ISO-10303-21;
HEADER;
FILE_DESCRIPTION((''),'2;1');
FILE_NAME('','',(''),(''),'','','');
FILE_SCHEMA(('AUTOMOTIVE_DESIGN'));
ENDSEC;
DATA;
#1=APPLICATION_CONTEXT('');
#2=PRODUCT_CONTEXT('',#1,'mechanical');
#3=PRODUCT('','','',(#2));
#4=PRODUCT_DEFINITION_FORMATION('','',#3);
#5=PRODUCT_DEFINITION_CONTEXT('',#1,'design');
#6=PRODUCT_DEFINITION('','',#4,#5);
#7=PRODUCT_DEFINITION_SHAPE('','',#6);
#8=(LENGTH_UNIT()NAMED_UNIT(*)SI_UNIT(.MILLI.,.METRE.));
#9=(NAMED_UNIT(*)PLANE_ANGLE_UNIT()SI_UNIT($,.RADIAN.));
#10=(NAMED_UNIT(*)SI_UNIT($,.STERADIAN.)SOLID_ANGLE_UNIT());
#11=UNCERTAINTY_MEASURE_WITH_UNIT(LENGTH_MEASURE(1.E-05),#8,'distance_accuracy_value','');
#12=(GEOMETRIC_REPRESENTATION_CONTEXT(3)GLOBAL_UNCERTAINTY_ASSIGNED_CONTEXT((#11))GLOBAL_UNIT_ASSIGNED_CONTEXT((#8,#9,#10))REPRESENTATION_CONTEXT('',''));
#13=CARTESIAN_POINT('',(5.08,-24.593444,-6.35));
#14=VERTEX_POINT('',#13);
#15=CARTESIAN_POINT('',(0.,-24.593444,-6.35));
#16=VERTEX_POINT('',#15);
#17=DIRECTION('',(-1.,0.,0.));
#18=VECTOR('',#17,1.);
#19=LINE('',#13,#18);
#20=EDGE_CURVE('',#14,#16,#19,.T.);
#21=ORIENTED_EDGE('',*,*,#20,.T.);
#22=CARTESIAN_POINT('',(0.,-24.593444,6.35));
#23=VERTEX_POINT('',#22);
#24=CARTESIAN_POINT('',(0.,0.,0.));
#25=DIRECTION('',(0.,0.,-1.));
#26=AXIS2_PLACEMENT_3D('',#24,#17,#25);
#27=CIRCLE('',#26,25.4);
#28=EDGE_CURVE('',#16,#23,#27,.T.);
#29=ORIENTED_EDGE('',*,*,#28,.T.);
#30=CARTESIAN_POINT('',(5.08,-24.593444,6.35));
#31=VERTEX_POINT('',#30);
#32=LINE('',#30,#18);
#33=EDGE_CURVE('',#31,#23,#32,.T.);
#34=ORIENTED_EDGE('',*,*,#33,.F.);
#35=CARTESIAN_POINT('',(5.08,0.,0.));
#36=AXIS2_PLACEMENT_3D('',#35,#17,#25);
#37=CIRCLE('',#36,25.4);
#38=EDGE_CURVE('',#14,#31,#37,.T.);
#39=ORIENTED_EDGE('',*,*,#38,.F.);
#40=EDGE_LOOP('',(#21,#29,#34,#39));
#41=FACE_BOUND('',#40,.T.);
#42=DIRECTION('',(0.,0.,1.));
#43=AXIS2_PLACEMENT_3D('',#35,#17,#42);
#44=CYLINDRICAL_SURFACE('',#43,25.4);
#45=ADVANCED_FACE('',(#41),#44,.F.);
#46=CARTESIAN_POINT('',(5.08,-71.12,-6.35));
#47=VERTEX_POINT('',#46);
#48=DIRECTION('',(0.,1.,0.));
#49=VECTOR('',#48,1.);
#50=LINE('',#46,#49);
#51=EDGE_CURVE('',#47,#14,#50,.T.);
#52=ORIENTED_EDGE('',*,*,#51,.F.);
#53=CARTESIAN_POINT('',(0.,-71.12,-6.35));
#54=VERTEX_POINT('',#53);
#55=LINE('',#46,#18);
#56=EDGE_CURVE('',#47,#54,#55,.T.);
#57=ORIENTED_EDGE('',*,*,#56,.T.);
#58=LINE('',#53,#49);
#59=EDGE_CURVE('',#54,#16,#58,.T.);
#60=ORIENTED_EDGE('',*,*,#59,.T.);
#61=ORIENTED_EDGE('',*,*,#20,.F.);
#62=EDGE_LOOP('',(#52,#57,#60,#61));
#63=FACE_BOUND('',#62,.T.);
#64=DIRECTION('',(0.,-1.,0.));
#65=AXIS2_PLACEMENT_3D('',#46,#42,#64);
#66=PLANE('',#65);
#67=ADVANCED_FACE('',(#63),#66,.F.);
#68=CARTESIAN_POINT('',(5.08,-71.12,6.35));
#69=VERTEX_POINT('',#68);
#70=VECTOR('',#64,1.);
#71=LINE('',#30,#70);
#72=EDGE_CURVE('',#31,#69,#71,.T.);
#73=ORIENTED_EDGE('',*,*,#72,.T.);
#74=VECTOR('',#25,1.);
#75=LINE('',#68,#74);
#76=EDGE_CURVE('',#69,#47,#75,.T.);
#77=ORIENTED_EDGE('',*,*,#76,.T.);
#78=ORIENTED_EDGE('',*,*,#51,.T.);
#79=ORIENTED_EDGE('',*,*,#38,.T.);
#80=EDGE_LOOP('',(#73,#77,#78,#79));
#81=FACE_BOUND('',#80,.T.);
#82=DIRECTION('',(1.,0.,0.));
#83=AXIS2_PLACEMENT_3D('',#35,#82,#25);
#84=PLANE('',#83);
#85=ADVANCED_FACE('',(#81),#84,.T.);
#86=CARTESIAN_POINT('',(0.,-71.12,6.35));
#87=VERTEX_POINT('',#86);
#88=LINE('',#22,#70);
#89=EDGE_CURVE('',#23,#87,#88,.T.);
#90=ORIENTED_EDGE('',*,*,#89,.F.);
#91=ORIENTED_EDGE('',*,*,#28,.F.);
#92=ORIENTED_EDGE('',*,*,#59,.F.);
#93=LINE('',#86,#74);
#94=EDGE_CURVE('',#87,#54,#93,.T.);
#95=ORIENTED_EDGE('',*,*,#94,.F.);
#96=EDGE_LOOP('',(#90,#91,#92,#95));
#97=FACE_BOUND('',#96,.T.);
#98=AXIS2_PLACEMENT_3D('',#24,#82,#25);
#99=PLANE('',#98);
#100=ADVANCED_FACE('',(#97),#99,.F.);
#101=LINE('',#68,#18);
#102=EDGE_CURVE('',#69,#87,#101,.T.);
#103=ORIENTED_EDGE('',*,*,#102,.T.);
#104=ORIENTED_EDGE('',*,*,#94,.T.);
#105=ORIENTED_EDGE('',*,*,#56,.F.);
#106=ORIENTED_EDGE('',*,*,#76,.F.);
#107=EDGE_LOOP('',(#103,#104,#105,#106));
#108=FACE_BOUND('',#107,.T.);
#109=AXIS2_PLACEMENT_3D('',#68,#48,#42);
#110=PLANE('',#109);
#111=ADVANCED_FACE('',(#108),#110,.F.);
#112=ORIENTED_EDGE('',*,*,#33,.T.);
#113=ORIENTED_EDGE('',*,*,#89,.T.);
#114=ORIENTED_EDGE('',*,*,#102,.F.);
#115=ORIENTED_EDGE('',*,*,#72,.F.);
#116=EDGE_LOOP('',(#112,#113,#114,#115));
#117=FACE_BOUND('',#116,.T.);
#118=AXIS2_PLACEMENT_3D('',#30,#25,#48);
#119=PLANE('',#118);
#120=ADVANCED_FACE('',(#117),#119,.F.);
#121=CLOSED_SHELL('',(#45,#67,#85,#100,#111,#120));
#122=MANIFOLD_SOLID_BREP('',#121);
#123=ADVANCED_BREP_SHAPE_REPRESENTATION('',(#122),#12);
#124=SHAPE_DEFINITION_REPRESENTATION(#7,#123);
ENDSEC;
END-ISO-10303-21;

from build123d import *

# Parameters (mm, degrees)
BOSS_EXTRUDE1_DEPTH = 5.08


with BuildPart() as part:
    # Sketch1 → Boss-Extrude1 (new body)
    with BuildSketch(Plane(origin=(0, 0, 0), x_dir=(0, 0, -1), z_dir=(1, 0, 0))):
        with BuildLine():
            Line((-6.35, -24.593444248), (-6.35, -71.12))
            Line((-6.35, -71.12), (6.35, -71.12))
            Line((6.35, -71.12), (6.35, -24.593444248))
            ThreePointArc((6.35, -24.593444248), (0, -25.4), (-6.35, -24.593444248))
        make_face()
    extrude(amount=BOSS_EXTRUDE1_DEPTH)


solid = part.part
